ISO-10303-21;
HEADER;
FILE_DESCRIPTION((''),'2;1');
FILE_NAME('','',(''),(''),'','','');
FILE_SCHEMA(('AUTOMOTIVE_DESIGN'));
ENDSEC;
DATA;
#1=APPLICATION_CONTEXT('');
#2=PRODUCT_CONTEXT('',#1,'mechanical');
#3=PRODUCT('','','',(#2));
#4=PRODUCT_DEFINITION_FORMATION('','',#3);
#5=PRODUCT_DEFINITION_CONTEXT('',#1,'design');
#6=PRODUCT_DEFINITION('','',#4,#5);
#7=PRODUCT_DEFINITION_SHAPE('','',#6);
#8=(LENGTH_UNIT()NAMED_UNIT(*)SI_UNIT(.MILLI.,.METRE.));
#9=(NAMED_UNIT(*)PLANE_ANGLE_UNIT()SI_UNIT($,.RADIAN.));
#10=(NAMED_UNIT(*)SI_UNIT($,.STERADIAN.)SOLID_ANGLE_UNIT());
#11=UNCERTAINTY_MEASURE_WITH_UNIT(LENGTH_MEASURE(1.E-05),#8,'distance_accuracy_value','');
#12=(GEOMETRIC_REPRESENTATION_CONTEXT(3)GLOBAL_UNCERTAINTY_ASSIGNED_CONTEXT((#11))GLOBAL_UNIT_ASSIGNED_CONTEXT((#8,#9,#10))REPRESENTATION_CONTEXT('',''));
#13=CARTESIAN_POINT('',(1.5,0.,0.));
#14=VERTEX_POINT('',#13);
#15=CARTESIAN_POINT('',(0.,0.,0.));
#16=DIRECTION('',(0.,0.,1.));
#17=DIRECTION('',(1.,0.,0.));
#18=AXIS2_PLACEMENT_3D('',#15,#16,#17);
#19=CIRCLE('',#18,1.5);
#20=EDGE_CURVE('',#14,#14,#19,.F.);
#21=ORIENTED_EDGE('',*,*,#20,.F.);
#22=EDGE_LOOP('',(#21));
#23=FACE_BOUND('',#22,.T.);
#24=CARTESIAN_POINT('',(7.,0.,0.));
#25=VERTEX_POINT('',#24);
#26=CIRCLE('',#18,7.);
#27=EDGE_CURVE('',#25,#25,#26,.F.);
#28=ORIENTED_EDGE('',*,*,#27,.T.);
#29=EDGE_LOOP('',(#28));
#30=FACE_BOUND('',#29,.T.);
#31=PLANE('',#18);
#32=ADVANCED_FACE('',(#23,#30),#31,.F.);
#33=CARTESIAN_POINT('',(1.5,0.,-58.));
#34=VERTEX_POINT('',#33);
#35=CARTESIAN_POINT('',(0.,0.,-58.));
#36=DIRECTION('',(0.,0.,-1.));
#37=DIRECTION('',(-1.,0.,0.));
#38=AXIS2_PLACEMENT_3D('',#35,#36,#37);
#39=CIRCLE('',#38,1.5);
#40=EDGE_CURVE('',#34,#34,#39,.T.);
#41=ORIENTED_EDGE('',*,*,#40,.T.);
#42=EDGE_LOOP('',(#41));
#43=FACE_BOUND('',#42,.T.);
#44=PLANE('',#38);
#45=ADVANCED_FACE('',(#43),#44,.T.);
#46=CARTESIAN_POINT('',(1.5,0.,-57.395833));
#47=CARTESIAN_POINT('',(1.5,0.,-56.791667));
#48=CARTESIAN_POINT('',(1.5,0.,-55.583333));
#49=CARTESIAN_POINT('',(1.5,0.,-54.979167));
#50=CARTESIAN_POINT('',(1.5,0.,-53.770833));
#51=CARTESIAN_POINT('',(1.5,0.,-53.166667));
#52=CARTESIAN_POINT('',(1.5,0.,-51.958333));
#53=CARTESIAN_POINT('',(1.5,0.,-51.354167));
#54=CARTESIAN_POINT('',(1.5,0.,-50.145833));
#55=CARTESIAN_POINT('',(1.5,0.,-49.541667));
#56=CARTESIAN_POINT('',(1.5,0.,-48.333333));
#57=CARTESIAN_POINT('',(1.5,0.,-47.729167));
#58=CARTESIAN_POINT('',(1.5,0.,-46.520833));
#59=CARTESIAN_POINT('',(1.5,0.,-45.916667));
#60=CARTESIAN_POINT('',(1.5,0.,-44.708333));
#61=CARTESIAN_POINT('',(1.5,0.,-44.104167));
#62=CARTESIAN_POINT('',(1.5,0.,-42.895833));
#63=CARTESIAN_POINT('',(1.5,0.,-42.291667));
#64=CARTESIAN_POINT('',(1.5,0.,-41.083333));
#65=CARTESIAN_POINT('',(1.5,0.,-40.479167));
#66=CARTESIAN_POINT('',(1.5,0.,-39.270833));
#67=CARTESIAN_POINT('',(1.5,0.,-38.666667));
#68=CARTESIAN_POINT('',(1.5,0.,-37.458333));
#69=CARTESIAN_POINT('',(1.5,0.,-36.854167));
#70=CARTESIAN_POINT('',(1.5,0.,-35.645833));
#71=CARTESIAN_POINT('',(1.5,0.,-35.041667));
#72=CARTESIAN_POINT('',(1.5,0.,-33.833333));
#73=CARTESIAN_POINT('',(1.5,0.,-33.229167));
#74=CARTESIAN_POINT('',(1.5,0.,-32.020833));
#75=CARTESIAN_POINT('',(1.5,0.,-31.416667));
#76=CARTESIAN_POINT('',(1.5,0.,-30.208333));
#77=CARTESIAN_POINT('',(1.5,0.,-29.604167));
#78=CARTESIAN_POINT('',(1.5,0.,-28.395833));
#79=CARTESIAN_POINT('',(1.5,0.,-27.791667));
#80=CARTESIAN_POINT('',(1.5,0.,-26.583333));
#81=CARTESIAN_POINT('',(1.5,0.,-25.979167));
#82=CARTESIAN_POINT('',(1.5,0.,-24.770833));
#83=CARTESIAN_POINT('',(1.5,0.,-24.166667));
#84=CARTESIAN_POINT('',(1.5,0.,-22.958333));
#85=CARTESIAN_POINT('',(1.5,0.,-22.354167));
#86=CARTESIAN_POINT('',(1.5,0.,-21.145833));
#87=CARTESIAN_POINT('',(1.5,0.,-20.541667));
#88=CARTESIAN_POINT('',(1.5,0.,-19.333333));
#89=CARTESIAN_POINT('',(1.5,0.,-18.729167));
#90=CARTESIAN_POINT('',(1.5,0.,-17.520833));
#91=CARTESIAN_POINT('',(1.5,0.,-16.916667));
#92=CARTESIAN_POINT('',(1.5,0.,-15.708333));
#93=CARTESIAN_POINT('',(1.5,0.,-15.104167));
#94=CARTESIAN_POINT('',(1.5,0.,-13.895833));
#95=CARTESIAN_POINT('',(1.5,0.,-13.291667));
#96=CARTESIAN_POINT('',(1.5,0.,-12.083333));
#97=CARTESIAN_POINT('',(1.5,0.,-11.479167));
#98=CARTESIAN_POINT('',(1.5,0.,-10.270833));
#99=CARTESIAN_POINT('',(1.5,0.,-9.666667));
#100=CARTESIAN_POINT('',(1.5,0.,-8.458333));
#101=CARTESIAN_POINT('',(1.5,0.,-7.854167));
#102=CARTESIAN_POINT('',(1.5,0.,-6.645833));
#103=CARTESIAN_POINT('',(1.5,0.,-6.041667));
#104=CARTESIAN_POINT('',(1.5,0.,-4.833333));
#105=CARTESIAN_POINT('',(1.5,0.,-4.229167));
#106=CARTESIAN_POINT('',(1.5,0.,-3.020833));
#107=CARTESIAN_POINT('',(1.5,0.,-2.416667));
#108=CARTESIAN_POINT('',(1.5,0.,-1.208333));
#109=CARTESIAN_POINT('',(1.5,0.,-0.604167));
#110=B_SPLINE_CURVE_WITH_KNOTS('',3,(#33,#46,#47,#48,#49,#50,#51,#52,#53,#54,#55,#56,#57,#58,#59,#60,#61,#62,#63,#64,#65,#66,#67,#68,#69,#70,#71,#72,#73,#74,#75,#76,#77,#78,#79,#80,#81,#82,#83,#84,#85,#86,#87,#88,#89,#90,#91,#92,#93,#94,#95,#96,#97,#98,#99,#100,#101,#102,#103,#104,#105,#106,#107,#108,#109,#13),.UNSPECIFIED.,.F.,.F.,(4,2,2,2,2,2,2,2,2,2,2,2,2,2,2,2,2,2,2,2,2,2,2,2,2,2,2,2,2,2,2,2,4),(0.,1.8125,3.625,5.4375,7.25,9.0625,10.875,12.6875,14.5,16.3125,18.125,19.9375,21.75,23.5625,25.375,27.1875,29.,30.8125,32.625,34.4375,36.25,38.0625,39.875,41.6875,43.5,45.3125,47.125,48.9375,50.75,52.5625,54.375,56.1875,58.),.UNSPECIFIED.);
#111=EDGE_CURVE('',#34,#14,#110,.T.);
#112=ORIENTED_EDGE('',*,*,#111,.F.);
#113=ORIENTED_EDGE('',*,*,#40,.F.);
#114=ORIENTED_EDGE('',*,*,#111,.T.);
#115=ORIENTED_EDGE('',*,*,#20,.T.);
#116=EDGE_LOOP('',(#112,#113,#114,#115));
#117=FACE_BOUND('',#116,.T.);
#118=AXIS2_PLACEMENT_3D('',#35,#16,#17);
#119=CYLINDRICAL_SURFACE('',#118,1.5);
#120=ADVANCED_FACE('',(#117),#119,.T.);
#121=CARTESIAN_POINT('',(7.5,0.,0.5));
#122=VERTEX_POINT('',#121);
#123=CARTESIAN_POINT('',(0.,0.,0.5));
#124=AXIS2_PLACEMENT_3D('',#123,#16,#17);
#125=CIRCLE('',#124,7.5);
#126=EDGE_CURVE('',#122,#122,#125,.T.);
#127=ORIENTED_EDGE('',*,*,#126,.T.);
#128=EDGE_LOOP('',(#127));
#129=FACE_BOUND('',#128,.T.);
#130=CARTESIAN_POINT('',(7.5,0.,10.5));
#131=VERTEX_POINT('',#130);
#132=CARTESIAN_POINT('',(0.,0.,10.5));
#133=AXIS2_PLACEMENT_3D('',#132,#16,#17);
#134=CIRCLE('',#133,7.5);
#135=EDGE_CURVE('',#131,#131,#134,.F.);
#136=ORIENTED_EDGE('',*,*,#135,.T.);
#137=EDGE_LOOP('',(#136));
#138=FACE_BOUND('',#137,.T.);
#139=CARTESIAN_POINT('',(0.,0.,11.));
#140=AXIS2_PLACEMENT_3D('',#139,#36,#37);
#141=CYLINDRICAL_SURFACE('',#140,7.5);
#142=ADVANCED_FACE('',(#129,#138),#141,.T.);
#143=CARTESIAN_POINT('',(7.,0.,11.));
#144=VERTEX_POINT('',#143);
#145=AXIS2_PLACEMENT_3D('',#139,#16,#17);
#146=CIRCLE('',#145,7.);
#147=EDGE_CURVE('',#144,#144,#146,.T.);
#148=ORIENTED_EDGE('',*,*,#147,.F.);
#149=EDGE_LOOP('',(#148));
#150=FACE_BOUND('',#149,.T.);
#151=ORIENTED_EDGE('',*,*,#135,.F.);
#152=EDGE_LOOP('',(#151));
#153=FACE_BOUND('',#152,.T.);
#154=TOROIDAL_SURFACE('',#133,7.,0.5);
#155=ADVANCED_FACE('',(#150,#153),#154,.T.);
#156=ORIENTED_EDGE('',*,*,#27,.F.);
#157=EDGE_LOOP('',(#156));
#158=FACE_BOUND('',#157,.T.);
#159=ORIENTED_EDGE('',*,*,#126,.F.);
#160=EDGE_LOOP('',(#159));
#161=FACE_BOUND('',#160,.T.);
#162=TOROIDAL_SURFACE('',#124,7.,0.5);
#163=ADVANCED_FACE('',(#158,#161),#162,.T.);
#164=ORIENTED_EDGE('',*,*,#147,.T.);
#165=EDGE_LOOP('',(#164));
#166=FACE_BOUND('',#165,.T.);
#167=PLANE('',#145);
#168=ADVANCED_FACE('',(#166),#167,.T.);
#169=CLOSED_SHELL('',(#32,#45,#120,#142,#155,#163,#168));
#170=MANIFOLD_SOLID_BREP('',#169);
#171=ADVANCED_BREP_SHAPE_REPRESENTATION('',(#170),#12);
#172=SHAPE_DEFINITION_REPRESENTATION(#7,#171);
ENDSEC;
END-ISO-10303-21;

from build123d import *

# Parameters (mm, degrees)
SKETCH_1_R      = 7.5
EXTRUDE_1_DEPTH = 11
FILLET_1_R      = 0.5
SKETCH_2_R      = 1.5
EXTRUDE_2_DEPTH = 58


with BuildPart() as part:
    # 草图1 → 凸台-拉伸1 (new body)
    with BuildSketch(Plane.XY):
        Circle(SKETCH_1_R)
    extrude(amount=EXTRUDE_1_DEPTH)

    # 圆角1
    fillet_1_edges = [part.edges().sort_by_distance(p)[0] for p in [
        (-7.5, 0, 0),
        (-7.5, 0, 11),
    ]]
    fillet(fillet_1_edges, radius=FILLET_1_R)

    # 草图2 → 凸台-拉伸2 (add)
    with BuildSketch(Plane(origin=(0, 0, 0), x_dir=(-1, 0, 0), z_dir=(0, 0, -1))):
        with Locations(Location((0, 0, 0), (0, 0, 180))):
            Circle(SKETCH_2_R)
    extrude(amount=EXTRUDE_2_DEPTH)


solid = part.part
